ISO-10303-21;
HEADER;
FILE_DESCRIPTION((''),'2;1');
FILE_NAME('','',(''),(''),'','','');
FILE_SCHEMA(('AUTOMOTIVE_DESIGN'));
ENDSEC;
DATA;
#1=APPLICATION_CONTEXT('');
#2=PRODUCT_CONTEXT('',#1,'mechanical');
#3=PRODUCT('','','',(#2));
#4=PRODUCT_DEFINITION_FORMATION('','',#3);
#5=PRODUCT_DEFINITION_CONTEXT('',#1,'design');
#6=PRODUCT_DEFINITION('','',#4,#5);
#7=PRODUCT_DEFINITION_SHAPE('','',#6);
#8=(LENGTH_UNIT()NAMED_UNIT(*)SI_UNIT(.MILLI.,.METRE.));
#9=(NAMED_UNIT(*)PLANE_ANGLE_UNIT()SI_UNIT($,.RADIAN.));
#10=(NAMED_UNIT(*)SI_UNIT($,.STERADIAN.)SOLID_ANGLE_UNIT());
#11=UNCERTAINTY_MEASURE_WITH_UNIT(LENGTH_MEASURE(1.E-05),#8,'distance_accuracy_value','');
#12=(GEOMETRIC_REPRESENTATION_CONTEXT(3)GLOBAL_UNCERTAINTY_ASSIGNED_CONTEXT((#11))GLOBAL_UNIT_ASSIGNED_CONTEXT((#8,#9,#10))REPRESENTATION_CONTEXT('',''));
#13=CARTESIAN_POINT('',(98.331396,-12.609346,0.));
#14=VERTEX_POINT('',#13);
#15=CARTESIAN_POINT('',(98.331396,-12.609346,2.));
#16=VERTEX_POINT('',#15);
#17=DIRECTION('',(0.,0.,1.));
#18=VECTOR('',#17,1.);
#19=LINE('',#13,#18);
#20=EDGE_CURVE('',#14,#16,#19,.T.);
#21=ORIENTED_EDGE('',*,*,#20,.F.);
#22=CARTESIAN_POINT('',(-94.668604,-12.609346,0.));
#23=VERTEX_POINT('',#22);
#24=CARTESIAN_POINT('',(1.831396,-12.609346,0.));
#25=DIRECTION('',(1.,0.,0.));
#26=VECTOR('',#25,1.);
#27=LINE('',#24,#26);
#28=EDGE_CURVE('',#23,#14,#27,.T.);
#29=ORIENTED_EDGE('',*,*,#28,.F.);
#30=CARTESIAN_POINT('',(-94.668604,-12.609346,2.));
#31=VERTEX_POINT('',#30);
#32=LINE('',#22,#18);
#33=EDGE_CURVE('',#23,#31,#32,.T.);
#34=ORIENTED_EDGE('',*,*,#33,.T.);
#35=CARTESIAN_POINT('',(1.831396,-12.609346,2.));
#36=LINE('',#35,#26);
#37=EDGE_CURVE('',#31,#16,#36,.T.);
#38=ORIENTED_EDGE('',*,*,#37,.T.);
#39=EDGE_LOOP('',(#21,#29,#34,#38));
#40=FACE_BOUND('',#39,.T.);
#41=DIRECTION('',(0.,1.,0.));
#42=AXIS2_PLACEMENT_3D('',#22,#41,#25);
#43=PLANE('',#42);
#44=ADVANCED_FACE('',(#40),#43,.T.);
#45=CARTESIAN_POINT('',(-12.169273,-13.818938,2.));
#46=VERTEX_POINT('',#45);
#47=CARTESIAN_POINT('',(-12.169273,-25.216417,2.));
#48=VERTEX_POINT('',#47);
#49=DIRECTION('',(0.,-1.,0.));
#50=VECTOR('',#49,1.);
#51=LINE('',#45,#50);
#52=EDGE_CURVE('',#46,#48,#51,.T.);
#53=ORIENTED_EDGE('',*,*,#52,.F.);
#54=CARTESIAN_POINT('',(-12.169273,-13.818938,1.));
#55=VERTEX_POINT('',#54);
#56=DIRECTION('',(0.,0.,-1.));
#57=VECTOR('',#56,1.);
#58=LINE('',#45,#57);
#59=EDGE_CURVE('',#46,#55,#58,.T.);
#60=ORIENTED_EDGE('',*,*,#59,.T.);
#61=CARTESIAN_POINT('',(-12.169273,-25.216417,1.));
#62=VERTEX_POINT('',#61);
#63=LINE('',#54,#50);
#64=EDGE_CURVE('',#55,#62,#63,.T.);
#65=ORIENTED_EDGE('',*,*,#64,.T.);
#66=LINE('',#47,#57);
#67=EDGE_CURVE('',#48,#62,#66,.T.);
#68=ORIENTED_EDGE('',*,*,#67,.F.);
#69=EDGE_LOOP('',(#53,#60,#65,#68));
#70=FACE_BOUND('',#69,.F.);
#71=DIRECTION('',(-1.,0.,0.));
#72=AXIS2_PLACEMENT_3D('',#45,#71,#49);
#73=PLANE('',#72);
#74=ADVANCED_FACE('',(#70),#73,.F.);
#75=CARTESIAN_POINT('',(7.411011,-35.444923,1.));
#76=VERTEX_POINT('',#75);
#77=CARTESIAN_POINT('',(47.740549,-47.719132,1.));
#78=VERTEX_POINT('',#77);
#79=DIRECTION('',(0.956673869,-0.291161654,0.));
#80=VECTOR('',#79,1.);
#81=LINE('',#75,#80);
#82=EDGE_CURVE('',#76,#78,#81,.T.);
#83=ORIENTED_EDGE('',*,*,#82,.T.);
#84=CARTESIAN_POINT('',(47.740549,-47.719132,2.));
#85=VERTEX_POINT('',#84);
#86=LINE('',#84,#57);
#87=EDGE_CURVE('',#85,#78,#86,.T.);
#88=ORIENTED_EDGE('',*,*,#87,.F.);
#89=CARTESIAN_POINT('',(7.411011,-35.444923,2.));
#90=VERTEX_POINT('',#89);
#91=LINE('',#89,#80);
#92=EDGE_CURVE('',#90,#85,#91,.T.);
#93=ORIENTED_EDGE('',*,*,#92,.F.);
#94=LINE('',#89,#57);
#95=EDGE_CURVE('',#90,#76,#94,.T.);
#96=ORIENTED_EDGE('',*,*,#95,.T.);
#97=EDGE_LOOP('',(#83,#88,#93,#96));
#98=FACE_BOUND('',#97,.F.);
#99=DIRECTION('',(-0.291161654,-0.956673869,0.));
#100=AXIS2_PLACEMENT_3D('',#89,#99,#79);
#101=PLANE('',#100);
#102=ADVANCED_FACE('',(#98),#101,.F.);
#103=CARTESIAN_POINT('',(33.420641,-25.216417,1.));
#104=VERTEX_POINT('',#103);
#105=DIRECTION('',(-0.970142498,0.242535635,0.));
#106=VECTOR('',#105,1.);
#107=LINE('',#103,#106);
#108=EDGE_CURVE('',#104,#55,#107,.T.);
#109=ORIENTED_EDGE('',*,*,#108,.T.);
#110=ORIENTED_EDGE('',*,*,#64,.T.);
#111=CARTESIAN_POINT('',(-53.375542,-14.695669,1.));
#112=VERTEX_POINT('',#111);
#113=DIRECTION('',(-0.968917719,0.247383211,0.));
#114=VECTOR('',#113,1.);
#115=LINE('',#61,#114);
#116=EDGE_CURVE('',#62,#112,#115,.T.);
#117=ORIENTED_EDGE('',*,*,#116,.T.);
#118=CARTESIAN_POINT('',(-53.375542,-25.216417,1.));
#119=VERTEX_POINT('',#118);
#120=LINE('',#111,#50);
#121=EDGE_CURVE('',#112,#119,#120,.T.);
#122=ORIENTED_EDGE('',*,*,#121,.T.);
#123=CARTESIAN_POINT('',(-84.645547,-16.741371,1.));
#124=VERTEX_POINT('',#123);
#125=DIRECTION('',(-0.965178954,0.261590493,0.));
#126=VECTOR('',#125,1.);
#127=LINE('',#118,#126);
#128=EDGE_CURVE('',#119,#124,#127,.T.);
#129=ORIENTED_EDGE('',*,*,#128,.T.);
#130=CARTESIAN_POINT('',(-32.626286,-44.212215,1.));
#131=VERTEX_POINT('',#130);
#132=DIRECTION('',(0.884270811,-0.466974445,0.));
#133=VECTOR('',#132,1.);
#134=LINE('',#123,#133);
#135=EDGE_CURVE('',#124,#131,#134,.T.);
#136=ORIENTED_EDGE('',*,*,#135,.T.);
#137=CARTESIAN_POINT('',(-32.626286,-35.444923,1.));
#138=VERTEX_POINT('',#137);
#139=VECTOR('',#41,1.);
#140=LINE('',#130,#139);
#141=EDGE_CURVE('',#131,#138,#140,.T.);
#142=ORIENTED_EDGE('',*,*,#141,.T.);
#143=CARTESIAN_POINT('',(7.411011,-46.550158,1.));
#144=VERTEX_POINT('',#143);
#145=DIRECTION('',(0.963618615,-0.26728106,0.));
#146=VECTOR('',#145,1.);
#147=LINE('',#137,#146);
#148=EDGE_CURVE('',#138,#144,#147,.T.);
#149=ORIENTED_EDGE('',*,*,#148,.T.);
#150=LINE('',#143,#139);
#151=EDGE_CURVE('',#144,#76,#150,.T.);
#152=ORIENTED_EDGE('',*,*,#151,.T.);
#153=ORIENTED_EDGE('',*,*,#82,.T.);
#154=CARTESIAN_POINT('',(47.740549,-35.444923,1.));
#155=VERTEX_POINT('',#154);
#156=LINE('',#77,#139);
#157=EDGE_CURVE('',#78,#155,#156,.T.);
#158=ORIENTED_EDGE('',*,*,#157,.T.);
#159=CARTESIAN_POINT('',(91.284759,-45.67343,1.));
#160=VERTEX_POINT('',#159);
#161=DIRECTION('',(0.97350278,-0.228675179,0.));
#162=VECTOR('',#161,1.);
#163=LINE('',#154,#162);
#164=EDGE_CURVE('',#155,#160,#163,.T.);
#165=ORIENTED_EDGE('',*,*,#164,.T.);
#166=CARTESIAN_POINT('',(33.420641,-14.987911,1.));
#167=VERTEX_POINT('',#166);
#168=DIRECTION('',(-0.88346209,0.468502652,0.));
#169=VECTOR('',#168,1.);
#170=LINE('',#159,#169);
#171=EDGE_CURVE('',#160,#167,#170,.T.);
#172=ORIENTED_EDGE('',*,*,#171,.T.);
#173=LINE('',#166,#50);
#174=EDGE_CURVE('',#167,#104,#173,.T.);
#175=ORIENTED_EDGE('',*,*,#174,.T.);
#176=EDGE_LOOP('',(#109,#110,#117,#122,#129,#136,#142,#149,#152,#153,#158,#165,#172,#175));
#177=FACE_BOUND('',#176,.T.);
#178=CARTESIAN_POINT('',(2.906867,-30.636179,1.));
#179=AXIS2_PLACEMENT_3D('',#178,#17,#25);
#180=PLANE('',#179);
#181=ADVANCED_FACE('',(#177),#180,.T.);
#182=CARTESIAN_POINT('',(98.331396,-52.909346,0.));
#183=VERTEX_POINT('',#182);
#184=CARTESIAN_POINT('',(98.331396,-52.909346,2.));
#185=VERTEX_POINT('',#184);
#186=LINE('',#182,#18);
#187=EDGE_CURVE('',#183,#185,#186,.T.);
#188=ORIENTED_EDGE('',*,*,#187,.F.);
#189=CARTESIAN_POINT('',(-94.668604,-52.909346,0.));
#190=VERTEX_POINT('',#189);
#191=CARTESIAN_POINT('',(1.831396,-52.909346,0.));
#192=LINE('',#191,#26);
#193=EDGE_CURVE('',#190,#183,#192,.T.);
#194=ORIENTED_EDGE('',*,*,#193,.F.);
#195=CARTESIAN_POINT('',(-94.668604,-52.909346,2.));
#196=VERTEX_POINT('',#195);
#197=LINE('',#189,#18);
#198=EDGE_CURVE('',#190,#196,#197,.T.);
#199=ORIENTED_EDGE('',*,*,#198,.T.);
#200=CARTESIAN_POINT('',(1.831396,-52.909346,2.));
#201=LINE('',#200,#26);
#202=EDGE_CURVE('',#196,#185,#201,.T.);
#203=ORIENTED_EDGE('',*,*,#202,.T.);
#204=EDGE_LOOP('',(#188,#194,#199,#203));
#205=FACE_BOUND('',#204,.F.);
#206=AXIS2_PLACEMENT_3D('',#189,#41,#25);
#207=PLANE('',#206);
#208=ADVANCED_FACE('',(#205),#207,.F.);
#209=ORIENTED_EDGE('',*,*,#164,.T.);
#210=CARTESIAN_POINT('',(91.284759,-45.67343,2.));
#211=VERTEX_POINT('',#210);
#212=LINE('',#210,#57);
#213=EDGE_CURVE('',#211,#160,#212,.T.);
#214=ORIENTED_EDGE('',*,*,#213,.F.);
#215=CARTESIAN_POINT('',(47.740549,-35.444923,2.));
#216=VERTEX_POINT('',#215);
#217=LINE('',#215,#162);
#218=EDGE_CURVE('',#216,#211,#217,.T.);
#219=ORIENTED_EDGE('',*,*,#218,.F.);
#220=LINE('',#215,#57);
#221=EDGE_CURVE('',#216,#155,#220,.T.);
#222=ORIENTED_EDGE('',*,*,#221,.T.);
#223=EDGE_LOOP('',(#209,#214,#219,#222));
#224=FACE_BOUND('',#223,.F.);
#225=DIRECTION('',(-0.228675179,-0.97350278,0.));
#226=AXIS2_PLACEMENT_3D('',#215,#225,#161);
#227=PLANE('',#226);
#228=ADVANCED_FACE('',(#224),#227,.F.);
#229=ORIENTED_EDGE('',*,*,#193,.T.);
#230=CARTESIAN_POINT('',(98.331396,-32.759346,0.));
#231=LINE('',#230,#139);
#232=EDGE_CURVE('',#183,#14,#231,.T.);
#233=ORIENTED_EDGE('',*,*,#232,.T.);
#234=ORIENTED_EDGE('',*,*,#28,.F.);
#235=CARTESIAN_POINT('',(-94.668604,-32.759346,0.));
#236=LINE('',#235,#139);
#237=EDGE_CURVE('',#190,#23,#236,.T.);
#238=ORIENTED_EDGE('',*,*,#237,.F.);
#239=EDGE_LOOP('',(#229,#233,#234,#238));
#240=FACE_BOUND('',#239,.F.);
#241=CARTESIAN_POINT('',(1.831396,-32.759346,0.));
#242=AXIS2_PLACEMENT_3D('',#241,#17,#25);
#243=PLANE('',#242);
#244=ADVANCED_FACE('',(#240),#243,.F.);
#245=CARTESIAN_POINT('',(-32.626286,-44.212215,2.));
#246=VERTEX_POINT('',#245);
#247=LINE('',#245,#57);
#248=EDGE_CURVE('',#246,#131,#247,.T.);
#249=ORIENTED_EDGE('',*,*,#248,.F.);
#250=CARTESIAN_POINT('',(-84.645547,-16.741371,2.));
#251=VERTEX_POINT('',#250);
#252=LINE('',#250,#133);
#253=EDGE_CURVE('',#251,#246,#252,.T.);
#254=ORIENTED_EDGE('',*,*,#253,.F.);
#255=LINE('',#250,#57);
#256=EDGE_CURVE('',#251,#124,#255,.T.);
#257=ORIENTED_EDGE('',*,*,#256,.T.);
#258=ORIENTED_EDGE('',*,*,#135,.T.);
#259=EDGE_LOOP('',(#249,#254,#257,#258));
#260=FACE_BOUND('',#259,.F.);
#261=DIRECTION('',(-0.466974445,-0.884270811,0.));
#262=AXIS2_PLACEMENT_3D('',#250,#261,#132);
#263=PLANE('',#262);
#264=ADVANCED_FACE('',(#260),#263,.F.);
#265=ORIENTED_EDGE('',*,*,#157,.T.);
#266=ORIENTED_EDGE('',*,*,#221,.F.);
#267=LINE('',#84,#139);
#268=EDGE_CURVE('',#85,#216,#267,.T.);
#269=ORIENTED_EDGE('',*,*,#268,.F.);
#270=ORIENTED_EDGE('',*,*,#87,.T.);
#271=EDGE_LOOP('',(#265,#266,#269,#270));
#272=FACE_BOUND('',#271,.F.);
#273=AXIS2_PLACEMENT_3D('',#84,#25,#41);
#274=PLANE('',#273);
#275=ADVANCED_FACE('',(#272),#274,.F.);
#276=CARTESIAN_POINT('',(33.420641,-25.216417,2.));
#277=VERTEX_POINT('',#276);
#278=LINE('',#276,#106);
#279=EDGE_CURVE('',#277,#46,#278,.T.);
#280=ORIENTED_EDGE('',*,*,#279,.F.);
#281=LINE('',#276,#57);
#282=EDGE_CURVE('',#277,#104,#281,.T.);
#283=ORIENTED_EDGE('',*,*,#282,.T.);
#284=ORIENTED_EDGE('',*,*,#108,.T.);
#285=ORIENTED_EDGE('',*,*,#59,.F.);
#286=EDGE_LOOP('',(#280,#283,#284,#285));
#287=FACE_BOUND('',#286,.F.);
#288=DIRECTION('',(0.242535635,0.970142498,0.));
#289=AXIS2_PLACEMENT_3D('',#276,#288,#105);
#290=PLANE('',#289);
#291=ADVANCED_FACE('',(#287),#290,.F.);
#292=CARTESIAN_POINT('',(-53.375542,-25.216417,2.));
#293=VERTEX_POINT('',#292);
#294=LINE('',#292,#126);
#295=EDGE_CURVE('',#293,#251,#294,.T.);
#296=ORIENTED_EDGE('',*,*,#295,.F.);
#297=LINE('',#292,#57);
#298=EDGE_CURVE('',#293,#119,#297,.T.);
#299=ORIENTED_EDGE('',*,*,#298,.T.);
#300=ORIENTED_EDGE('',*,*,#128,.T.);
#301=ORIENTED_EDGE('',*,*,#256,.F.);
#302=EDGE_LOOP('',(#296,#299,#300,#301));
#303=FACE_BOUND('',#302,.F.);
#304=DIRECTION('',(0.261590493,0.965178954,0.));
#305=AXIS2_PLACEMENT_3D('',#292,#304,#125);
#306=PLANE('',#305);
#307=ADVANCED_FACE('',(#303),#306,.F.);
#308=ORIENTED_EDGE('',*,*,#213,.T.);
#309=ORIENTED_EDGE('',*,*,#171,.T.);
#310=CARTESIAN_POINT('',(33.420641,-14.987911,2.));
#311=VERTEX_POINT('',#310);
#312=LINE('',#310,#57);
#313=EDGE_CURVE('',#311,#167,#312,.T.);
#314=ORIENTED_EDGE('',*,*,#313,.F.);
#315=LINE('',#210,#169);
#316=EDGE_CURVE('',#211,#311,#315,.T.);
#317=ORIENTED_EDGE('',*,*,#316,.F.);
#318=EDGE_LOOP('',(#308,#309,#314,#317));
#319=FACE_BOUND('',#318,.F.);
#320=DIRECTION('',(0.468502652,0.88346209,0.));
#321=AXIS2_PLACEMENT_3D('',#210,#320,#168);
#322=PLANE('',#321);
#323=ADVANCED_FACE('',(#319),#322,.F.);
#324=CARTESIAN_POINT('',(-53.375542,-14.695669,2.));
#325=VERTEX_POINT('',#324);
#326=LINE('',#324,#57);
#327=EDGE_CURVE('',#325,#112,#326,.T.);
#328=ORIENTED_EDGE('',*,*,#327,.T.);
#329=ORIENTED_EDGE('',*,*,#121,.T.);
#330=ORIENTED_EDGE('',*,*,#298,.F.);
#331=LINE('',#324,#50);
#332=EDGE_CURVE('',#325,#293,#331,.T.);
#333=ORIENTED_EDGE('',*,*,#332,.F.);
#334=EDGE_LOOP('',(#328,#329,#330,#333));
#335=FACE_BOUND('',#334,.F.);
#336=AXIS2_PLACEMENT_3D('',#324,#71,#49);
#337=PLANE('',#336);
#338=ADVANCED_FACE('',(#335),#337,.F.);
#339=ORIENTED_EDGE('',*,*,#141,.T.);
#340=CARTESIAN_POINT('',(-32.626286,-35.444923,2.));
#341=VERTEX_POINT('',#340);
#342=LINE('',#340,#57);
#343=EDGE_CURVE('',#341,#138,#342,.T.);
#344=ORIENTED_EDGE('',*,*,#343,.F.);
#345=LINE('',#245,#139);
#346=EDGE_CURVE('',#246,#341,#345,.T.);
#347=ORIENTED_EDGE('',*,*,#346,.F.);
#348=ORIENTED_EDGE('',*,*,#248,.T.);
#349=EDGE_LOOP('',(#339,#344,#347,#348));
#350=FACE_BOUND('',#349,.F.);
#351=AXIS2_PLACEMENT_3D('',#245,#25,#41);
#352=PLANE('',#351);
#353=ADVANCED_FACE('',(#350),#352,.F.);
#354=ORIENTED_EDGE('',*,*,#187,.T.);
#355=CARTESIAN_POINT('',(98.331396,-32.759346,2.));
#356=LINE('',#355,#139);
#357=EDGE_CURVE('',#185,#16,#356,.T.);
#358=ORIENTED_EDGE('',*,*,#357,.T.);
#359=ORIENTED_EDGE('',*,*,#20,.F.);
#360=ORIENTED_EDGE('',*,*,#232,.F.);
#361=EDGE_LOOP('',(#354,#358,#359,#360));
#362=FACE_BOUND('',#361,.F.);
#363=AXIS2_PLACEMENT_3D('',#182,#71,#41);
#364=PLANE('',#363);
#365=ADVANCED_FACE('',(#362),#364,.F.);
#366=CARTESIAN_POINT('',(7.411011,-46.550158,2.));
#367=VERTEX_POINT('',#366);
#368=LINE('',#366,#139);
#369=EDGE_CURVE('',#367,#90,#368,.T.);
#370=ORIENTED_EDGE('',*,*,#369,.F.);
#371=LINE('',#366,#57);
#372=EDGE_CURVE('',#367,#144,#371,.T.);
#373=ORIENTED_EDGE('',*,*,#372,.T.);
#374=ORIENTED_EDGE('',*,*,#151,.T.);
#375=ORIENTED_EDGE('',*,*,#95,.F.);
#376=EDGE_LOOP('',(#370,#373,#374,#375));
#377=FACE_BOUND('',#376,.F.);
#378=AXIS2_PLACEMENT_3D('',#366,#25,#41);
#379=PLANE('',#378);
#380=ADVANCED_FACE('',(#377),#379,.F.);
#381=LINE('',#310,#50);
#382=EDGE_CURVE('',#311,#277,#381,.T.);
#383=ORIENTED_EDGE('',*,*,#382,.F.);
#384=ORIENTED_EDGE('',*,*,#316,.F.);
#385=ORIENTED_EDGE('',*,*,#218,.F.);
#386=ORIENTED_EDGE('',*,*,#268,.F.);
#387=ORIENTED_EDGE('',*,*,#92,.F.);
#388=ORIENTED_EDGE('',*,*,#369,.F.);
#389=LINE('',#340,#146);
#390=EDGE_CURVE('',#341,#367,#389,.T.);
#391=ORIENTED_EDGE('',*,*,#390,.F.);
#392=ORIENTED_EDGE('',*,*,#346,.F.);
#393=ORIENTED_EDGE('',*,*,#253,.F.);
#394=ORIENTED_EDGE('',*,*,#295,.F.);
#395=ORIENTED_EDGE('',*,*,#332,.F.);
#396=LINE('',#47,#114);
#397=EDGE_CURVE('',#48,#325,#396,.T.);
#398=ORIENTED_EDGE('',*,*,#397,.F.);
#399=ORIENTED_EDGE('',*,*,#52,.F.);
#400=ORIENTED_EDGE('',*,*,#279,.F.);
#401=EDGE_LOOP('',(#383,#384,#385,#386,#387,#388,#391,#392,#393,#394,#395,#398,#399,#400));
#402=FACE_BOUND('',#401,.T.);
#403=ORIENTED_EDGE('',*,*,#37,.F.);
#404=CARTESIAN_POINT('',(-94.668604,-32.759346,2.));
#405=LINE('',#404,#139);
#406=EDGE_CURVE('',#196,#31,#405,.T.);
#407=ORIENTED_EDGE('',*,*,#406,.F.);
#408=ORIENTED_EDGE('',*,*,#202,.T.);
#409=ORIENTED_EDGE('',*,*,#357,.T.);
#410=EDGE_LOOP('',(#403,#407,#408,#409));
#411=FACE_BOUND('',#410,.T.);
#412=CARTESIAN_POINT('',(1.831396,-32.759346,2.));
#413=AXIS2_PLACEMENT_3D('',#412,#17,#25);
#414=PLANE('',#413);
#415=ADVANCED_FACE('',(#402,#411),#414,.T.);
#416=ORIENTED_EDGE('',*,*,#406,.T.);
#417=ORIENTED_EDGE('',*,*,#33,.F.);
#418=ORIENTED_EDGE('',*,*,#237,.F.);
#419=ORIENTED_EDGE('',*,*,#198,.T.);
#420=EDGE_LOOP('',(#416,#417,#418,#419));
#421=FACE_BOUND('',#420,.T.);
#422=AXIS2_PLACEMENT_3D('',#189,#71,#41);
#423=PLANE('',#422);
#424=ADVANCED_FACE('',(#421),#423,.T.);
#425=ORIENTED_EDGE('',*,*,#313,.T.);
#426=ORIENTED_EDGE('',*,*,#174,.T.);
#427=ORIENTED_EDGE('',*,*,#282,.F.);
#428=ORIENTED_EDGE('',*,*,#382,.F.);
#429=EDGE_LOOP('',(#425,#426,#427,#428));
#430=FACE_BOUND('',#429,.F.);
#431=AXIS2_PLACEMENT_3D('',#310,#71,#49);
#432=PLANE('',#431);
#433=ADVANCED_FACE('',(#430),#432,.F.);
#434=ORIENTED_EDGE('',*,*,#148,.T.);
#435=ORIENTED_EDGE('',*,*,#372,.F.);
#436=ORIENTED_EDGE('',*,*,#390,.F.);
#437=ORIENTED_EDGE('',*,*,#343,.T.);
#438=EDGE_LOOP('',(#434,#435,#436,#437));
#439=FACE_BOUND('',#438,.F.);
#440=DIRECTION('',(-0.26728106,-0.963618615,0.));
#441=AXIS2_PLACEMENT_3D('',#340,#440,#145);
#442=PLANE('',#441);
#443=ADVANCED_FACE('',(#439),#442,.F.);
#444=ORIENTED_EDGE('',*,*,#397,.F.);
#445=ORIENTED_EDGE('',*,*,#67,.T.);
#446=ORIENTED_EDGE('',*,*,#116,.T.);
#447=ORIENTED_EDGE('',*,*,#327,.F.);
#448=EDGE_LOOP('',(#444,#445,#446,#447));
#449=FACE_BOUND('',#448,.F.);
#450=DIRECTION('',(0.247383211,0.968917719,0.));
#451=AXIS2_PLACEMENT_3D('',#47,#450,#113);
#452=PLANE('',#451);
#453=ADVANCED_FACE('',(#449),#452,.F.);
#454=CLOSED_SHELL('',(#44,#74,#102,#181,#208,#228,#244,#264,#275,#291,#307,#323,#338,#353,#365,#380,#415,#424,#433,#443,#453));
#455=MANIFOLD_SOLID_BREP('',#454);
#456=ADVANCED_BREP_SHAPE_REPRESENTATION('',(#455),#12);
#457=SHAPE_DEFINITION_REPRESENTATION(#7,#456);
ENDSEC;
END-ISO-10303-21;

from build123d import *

# Parameters (mm, degrees)
F0_W     = 193
F0_H     = 40.3
F1_DEPTH = 2
F3_DEPTH = 1


with BuildPart() as f1:
    # F0 (on Top) → F1 (new body)
    with BuildSketch(Plane.XY):
        with Locations((1.831396, -32.759346)):
            Rectangle(F0_W, F0_H)
    extrude(amount=F1_DEPTH)

    # F2 (on face) → F3 (cut)
    with BuildSketch(Plane.XY.offset(2)):
        Polygon((-53.375542, -25.216417), (-84.645547, -16.741371), (-32.626286, -44.212215), (-32.626286, -35.444923), (7.411011, -46.550158), (7.411011, -35.444923), (47.740549, -47.719132), (47.740549, -35.444923), (91.284759, -45.67343), (33.420641, -14.987911), (33.420641, -25.216417), (-12.169273, -13.818938), (-12.169273, -25.216417), (-53.375542, -14.695669), align=None)
    extrude(amount=-F3_DEPTH, mode=Mode.SUBTRACT)


solid = f1.part
